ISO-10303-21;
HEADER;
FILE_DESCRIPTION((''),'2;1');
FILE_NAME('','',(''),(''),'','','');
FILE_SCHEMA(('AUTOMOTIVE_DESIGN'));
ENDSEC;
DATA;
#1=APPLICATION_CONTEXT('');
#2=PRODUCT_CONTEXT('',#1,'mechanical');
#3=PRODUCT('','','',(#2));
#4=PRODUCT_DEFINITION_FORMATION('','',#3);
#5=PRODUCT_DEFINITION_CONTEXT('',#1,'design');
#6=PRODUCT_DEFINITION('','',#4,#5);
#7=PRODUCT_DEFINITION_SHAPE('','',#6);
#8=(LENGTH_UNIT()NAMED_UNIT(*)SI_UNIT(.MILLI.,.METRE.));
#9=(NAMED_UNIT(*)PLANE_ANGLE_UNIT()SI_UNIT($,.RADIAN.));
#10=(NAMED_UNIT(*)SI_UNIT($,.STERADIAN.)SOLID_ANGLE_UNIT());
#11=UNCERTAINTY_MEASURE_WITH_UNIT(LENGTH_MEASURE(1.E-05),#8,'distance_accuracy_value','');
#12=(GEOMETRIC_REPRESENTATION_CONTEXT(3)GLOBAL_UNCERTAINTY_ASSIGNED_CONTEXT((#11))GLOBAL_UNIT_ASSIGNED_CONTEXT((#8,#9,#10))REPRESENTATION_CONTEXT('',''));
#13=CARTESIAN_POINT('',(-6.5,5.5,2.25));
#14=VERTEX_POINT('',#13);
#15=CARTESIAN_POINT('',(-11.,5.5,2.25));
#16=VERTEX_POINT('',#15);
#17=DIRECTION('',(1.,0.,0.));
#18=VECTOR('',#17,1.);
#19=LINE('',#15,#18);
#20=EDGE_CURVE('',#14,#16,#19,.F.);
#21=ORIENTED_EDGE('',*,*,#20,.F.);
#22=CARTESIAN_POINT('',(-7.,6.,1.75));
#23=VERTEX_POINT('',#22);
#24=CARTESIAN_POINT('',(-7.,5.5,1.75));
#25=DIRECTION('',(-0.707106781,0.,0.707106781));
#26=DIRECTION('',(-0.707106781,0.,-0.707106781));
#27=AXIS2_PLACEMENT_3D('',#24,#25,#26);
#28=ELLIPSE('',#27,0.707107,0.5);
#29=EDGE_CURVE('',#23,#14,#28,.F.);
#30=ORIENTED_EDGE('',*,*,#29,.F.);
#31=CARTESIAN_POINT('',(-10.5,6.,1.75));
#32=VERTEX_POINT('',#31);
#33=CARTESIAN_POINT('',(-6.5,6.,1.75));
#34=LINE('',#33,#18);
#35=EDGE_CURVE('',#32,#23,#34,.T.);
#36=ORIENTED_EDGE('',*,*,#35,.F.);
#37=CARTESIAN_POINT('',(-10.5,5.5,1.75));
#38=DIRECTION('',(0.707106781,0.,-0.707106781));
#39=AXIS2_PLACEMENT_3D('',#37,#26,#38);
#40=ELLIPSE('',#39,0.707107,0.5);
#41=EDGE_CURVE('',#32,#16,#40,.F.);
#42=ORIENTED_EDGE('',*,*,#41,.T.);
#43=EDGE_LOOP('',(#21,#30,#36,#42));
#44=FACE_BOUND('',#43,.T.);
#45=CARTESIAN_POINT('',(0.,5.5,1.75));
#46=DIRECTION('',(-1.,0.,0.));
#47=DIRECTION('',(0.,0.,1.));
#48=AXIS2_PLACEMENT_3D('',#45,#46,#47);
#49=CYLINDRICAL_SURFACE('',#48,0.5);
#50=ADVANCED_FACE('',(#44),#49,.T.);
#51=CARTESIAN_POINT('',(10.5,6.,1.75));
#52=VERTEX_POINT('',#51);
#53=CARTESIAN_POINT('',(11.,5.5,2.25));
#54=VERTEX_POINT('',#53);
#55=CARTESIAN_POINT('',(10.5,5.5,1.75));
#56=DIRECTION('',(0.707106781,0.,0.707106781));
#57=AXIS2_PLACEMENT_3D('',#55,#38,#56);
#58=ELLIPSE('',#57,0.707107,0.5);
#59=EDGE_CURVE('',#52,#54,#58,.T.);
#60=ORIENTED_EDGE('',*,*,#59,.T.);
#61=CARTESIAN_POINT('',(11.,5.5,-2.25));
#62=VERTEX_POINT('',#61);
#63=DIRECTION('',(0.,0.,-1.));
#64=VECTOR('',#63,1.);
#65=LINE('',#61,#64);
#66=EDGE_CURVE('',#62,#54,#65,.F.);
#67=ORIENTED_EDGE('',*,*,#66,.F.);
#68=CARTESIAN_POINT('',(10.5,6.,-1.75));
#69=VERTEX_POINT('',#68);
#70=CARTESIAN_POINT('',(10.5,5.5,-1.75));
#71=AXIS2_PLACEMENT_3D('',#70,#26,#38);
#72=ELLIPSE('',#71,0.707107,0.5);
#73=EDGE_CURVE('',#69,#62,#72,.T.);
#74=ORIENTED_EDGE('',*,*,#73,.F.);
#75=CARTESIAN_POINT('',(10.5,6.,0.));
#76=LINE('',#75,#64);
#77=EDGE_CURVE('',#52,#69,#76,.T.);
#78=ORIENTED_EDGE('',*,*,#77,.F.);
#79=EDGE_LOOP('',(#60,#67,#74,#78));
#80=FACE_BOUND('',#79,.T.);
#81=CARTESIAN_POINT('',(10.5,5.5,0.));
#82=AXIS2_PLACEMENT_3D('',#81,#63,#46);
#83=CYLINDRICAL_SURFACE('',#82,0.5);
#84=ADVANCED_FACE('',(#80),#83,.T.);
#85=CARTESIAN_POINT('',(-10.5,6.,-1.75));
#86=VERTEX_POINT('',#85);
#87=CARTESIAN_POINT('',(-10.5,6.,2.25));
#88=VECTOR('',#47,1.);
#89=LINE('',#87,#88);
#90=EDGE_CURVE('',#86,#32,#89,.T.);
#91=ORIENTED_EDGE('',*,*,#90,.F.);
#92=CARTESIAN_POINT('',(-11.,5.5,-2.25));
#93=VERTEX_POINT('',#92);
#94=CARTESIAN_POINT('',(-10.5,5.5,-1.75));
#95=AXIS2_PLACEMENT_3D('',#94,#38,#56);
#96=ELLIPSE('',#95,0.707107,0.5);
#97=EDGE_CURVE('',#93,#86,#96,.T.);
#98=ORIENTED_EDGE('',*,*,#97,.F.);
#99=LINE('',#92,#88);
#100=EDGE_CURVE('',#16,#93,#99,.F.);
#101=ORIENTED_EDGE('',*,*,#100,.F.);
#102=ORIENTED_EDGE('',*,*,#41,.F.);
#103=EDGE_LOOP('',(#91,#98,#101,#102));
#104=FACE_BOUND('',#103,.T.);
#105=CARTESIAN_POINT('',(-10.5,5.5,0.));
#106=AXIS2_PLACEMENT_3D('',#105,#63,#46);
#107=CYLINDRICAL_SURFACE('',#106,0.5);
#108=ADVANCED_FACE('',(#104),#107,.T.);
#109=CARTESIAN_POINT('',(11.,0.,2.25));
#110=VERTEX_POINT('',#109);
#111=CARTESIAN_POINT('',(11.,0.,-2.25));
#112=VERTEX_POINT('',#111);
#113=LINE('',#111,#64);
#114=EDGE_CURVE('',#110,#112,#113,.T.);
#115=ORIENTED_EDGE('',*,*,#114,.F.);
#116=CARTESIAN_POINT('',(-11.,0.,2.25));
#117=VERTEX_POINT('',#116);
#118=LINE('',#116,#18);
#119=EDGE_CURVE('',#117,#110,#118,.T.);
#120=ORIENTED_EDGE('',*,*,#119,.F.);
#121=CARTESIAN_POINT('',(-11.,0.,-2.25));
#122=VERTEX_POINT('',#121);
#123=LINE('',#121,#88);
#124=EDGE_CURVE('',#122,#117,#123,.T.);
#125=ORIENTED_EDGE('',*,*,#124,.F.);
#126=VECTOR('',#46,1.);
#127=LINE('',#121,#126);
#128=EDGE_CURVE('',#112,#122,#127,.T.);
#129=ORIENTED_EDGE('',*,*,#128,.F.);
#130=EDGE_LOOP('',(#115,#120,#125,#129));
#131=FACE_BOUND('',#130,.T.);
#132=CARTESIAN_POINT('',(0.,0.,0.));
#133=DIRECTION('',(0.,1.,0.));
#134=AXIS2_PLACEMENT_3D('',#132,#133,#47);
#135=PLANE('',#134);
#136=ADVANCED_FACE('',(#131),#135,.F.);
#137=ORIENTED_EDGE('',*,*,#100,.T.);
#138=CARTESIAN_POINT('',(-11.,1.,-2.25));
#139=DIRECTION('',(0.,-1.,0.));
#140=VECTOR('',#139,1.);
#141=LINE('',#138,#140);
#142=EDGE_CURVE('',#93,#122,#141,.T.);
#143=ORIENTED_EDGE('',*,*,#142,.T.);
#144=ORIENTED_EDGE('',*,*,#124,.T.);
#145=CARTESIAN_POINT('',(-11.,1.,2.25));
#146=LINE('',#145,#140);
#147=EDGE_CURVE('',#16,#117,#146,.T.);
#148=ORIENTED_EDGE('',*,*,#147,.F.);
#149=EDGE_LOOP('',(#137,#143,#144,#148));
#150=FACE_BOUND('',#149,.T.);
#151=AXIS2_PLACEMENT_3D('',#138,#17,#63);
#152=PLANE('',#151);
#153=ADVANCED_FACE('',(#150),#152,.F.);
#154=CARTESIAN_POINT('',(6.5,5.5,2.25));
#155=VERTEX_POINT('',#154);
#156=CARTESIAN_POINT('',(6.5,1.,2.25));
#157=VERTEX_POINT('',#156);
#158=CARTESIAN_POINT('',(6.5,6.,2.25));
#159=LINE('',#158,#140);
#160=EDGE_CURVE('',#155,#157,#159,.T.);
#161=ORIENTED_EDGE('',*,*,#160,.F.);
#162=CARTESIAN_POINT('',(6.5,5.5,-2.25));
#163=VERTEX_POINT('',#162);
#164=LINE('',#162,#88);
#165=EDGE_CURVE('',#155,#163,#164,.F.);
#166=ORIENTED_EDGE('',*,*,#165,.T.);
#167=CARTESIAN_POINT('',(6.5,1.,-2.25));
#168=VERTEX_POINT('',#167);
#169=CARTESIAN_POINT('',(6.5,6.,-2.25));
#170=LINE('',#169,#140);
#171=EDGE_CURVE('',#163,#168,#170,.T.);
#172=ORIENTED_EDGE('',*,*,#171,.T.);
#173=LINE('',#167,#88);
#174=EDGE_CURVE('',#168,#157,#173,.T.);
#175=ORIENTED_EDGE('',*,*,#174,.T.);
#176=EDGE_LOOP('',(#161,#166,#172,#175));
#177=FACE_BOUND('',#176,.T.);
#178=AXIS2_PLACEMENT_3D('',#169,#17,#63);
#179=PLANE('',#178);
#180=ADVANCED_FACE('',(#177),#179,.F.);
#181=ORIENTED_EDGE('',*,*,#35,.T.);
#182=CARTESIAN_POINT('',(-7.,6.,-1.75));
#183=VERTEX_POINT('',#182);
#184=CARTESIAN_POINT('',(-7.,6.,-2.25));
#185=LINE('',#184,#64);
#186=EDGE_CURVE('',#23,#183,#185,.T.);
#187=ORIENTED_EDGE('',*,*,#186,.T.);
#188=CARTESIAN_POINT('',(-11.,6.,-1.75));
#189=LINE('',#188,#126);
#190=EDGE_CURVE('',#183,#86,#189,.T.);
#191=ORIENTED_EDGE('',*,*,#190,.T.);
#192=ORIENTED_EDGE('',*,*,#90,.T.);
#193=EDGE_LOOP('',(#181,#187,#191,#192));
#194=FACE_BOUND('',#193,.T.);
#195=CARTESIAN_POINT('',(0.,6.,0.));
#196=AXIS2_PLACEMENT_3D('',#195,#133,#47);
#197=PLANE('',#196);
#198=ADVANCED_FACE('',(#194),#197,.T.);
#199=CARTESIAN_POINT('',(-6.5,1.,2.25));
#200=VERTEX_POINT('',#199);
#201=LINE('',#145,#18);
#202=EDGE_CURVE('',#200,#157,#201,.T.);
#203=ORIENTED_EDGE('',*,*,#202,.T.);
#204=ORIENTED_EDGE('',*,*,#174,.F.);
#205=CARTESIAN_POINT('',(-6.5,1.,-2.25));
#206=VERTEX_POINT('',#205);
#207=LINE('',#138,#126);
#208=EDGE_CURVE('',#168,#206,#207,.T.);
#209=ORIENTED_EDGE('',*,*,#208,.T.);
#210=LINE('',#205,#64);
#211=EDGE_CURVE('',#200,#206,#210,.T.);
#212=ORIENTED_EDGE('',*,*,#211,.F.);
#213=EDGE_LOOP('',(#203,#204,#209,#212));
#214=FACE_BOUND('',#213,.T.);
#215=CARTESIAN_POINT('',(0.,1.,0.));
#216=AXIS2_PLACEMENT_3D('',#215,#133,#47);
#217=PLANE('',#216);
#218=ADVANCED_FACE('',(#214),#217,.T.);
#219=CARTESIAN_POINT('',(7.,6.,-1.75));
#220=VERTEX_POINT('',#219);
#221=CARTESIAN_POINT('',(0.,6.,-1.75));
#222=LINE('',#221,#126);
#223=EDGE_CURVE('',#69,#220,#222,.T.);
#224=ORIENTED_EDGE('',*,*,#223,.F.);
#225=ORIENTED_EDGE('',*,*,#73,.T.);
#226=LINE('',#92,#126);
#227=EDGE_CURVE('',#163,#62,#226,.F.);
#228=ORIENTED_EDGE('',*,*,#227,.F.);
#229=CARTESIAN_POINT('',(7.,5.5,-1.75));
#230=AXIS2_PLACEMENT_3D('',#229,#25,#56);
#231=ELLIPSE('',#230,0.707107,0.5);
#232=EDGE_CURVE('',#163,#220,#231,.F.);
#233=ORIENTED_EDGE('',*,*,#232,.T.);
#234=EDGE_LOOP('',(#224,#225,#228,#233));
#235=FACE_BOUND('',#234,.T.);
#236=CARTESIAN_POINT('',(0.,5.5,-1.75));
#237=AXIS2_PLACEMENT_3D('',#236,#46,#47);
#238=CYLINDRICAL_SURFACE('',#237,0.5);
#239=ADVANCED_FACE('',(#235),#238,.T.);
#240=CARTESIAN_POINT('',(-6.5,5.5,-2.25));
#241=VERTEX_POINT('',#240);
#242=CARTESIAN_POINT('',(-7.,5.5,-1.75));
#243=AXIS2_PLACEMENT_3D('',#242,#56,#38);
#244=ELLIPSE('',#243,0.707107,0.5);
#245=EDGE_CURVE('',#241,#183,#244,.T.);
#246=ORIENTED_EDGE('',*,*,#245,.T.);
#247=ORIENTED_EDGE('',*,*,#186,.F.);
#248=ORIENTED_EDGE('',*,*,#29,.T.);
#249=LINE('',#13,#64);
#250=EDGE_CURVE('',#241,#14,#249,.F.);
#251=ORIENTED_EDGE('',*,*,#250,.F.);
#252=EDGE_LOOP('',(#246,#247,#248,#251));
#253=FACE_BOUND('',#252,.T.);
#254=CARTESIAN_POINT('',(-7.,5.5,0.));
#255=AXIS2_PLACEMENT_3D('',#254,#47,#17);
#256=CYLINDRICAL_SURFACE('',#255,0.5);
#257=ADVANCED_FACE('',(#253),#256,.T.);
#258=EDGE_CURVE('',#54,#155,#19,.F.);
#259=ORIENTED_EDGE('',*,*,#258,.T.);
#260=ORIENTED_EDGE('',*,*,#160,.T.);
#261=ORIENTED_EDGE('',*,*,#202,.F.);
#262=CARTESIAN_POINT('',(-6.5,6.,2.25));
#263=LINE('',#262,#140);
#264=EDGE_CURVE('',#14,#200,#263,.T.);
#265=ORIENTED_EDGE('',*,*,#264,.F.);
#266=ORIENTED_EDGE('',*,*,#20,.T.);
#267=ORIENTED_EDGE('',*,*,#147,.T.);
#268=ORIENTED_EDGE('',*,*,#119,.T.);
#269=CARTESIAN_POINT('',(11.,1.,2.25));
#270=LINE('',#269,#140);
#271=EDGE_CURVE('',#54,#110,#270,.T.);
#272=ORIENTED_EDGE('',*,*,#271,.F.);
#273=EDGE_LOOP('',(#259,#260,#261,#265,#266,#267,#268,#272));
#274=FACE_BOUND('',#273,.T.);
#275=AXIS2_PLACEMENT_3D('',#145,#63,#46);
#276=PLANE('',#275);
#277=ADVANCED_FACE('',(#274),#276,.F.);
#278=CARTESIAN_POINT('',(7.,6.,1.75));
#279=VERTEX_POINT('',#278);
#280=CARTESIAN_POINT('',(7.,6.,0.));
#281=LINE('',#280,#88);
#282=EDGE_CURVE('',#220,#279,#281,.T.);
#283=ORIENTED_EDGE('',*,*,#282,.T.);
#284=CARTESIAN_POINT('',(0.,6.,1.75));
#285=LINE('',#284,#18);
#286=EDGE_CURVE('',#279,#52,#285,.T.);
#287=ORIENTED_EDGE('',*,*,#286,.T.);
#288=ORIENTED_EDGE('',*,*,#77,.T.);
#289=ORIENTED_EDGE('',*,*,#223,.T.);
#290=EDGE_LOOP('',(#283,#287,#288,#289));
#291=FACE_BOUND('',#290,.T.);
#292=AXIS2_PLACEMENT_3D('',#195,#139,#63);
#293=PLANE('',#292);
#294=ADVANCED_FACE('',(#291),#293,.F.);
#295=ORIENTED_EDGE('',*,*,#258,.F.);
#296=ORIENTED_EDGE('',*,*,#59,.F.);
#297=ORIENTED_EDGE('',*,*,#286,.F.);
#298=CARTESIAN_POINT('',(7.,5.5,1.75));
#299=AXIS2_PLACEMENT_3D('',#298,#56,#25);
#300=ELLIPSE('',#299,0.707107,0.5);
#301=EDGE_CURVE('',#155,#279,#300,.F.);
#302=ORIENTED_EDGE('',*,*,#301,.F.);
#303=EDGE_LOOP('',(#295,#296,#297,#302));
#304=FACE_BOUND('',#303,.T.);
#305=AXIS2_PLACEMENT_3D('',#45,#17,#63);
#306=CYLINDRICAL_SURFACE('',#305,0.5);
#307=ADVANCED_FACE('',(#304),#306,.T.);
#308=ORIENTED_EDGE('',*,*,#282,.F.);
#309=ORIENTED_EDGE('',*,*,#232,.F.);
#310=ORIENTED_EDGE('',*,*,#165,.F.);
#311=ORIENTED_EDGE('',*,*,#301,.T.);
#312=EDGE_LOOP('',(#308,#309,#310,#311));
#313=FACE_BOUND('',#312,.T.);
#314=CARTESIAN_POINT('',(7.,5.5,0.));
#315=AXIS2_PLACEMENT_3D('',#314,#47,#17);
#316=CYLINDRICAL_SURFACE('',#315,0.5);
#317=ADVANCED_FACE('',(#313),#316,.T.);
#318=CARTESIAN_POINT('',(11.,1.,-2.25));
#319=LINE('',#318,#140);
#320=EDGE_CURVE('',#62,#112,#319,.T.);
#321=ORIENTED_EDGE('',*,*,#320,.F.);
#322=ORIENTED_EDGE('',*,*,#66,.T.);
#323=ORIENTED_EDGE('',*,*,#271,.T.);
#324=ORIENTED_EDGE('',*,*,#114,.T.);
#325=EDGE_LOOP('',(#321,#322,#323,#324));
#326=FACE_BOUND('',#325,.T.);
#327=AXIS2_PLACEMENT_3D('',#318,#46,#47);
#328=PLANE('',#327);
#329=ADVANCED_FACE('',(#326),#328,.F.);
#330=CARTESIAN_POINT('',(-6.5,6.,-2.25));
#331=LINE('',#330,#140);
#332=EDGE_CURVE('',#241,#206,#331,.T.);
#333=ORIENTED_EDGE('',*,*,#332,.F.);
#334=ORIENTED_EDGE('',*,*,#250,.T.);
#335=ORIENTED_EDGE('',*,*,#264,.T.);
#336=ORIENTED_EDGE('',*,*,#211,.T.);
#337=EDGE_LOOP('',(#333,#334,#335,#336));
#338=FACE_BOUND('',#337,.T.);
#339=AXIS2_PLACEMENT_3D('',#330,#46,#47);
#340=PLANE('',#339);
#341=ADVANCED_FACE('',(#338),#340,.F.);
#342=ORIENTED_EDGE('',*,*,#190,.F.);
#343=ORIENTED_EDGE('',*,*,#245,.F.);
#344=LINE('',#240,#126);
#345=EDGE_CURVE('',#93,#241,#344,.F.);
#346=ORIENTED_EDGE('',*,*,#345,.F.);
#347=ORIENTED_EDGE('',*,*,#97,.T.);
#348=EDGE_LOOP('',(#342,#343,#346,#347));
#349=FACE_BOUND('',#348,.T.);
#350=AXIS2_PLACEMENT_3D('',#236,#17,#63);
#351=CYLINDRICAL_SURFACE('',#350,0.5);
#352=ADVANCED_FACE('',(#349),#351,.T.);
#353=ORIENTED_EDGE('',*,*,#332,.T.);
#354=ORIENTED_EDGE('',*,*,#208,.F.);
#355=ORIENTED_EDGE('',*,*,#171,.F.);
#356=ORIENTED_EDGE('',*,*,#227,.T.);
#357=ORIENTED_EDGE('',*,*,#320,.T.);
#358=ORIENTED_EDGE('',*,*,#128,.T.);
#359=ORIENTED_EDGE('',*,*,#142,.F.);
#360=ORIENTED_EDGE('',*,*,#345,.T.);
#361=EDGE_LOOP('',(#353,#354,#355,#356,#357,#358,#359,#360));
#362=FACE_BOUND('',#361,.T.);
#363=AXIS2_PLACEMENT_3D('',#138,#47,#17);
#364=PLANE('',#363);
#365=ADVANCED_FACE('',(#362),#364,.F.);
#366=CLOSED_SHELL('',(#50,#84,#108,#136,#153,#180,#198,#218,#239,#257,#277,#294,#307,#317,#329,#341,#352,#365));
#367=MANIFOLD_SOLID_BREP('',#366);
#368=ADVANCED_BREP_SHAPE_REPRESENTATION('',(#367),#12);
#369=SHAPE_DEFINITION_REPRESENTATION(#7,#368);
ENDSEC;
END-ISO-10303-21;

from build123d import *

# Parameters (mm, degrees)
SKETCH1_W           = 22
SKETCH1_H           = 4.5
BOSS_EXTRUDE1_DEPTH = 1
SKETCH2_W           = 4.5
SKETCH2_H           = 4.5
BOSS_EXTRUDE2_DEPTH = 5
FILLET1_R           = 0.5


with BuildPart() as part:
    # Sketch1 → Boss-Extrude1 (new body)
    with BuildSketch(Plane(origin=(0, 0, 0), x_dir=(1, 0, 0), z_dir=(0, 1, 0))):
        Rectangle(SKETCH1_W, SKETCH1_H)
    extrude(amount=BOSS_EXTRUDE1_DEPTH)

    # Sketch2 → Boss-Extrude2 (add)
    with BuildSketch(Plane(origin=(0, 1, 0), x_dir=(1, 0, 0), z_dir=(0, 1, 0))):
        with Locations((-8.75, 0)):
            Rectangle(SKETCH2_W, SKETCH2_H)
        with Locations((8.75, 0)):
            Rectangle(SKETCH2_W, SKETCH2_H)
    extrude(amount=BOSS_EXTRUDE2_DEPTH)

    # Fillet1
    fillet1_edges = [part.edges().sort_by_distance(p)[0] for p in [
        (8.75, 6, -2.25),
        (11, 6, 0),
        (8.75, 6, 2.25),
        (6.5, 6, 0),
        (-6.5, 6, 0),
        (-8.75, 6, 2.25),
        (-11, 6, 0),
        (-8.75, 6, -2.25),
    ]]
    fillet(fillet1_edges, radius=FILLET1_R)


solid = part.part
